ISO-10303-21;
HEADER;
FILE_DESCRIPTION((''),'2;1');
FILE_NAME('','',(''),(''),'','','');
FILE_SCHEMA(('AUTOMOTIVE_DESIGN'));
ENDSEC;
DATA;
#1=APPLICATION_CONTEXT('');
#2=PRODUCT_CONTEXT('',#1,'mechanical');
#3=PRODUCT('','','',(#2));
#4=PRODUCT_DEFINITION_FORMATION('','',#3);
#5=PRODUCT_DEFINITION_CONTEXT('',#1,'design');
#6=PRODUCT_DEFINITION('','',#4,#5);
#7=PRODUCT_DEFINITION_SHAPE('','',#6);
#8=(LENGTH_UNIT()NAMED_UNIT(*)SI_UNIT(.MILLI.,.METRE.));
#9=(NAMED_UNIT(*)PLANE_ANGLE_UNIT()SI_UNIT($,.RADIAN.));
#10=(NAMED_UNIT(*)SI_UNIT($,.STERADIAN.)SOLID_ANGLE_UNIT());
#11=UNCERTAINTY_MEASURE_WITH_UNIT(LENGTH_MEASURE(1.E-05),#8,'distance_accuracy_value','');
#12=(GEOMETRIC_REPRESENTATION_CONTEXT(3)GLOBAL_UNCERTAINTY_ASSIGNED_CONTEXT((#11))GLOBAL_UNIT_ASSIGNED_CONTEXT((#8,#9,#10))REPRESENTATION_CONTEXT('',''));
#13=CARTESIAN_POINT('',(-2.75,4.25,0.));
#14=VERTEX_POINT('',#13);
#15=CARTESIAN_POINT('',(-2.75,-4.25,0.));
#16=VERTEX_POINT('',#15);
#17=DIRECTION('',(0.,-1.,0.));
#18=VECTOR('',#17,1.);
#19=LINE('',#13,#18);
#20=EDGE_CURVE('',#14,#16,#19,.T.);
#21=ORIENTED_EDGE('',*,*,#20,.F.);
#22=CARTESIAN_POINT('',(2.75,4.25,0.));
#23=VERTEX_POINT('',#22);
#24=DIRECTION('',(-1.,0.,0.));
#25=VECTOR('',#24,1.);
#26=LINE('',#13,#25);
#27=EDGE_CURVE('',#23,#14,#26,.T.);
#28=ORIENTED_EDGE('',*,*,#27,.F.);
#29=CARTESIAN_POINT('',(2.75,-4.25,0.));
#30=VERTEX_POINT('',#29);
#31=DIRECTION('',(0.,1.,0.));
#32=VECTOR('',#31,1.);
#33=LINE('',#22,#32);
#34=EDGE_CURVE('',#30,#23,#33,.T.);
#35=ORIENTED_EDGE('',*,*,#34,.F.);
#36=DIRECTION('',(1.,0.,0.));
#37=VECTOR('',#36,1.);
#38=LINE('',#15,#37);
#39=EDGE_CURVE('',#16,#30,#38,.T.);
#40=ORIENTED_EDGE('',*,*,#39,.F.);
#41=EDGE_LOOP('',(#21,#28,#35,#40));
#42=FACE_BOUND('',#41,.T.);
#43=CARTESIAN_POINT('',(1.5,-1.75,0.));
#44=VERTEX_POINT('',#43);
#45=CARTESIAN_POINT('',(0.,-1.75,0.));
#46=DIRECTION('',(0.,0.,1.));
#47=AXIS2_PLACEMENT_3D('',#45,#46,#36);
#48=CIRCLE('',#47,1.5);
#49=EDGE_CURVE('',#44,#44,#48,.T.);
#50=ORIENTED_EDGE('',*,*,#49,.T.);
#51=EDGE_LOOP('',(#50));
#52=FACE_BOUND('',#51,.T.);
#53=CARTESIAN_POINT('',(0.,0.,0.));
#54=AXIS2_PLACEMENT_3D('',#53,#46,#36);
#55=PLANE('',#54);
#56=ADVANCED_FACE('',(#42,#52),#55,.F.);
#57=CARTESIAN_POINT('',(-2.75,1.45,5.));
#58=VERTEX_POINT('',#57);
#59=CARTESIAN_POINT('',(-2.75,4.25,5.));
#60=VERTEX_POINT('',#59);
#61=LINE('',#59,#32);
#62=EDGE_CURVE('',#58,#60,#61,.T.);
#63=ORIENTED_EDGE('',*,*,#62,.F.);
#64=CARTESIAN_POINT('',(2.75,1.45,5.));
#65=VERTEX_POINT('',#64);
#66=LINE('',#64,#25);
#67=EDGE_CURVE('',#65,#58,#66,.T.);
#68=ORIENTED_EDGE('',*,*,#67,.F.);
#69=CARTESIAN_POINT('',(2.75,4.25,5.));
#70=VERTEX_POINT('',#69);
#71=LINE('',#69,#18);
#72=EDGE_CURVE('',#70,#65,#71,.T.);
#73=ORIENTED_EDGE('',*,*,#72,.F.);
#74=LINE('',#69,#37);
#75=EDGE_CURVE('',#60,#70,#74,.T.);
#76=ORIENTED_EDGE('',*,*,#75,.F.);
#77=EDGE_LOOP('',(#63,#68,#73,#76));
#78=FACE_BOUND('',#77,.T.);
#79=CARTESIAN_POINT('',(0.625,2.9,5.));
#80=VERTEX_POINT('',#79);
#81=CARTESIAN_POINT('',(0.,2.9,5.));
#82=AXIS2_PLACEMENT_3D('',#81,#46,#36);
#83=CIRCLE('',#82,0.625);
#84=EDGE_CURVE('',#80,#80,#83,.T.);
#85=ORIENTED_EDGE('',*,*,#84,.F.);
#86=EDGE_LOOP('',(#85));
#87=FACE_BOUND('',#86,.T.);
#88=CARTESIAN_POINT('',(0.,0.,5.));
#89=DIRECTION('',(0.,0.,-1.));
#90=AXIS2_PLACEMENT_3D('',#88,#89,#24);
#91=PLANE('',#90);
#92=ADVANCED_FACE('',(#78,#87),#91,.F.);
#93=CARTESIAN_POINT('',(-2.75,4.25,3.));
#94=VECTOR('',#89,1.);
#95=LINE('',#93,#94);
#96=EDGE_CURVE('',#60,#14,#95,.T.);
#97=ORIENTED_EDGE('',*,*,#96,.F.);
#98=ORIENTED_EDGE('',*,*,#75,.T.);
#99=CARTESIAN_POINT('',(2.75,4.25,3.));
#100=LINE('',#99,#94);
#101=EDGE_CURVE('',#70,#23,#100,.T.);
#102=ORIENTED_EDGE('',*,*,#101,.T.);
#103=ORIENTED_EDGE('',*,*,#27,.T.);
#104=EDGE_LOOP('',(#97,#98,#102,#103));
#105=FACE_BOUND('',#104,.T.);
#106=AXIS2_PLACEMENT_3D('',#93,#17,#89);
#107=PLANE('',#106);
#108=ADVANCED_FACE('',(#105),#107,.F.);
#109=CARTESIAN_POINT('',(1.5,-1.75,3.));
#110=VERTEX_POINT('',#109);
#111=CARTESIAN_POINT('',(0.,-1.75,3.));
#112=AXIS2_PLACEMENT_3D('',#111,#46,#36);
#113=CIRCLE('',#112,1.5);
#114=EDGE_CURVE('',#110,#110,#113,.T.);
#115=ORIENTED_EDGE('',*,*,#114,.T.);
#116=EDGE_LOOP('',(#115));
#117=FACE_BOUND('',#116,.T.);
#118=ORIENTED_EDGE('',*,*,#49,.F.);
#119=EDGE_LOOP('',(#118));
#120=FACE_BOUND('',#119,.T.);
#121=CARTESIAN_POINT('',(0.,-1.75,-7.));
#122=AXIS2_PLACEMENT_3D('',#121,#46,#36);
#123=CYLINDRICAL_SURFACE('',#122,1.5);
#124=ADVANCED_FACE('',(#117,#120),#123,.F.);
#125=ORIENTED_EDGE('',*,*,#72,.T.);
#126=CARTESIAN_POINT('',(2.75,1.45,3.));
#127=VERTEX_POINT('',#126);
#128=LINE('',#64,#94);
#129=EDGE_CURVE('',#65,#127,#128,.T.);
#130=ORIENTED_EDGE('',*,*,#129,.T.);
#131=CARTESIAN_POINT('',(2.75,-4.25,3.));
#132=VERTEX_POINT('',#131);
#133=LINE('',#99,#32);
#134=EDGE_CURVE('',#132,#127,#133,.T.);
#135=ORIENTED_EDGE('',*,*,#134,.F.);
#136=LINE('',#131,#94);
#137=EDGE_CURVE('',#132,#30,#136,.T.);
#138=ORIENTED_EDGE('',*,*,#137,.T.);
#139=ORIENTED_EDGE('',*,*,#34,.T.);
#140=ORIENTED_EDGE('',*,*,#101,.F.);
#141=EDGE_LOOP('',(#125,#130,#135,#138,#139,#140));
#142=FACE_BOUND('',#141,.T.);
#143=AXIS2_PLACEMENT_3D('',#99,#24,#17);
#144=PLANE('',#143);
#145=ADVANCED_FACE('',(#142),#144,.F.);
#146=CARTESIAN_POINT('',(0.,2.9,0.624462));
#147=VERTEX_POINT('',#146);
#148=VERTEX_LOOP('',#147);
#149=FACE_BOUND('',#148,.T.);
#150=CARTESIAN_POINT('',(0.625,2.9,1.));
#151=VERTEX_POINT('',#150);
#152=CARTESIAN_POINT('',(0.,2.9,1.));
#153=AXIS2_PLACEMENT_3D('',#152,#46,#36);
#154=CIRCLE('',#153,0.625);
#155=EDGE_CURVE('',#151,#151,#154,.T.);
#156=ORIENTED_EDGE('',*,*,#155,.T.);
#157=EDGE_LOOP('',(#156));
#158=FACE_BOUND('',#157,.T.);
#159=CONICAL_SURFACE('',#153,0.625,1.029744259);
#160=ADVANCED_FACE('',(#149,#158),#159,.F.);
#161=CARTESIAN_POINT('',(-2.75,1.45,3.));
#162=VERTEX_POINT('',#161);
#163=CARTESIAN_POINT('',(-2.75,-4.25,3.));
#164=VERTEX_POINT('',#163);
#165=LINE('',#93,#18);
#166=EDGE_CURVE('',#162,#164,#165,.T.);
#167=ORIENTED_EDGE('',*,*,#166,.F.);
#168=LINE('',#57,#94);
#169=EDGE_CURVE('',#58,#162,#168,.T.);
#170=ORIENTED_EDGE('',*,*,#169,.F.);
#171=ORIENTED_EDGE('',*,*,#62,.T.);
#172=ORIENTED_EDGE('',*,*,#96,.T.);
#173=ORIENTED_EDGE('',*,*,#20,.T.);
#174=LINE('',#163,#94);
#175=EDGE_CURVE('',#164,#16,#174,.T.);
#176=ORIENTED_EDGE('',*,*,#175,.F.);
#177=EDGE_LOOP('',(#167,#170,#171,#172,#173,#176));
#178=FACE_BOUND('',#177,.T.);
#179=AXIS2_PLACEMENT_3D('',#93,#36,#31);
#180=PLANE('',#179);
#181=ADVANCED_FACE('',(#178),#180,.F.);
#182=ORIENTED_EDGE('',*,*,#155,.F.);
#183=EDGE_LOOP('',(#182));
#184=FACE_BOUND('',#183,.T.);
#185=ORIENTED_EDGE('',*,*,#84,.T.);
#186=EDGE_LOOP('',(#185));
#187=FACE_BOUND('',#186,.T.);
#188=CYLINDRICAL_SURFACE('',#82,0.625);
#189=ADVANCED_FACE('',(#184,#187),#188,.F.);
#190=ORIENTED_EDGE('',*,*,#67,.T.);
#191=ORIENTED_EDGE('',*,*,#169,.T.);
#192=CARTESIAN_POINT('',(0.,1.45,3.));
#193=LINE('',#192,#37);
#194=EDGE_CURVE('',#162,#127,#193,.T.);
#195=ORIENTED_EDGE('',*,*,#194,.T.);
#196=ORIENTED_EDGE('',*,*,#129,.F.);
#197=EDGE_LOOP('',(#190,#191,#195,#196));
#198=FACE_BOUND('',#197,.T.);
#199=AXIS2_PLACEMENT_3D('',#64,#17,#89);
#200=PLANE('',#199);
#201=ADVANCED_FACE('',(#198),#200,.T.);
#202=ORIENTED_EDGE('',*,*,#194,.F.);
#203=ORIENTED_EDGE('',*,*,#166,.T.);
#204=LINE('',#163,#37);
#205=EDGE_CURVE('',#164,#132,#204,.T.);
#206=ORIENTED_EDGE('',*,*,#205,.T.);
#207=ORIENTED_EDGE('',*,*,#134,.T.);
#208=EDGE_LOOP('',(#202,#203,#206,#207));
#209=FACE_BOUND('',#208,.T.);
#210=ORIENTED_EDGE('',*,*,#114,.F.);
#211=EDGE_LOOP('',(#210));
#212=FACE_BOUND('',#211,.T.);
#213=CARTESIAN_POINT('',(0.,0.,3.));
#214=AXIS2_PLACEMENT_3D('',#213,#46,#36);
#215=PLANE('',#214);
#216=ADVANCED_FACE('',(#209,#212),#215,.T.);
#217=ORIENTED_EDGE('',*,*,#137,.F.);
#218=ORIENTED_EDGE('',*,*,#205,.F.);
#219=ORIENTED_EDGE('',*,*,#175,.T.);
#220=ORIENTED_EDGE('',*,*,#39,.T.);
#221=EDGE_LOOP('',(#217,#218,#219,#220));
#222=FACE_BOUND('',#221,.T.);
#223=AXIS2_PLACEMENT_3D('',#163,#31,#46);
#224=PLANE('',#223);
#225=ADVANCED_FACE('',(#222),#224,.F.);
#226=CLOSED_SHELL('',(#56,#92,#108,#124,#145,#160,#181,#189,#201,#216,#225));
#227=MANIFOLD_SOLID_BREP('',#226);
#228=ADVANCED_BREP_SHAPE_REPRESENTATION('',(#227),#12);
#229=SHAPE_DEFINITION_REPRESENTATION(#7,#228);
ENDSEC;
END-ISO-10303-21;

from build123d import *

# Parameters (mm, degrees)
SKETCH1_W                    = 5.5
SKETCH1_H                    = 8.5
BOSS_EXTRUDE1_DEPTH          = 3
SKETCH4_R                    = 1.5
CUT_EXTRUDE1_DEPTH           = 10
SKETCH7_W                    = 5.5
SKETCH7_H                    = 2.8
BOSS_EXTRUDE2_DEPTH          = 5
M1_6X0_35_TAPPED_HOLE1_D     = 1.25
M1_6X0_35_TAPPED_HOLE1_DEPTH = 4
M1_6X0_35_TAPPED_HOLE1_TIP   = 0.375537887


with BuildPart() as part:
    # Sketch1 → Boss-Extrude1 (new body)
    with BuildSketch(Plane.XY):
        Rectangle(SKETCH1_W, SKETCH1_H)
    extrude(amount=BOSS_EXTRUDE1_DEPTH)

    # Sketch4 → Cut-Extrude1 (cut)
    with BuildSketch(Plane.XY.offset(3)):
        with Locations((0, -1.75)):
            Circle(SKETCH4_R)
    extrude(amount=-CUT_EXTRUDE1_DEPTH, mode=Mode.SUBTRACT)

    # Sketch7 → Boss-Extrude2 (add)
    with BuildSketch(Plane(origin=(0, 0, 0), x_dir=(-1, 0, 0), z_dir=(0, 0, -1))):
        with Locations((0, 2.85)):
            Rectangle(SKETCH7_W, SKETCH7_H)
    extrude(amount=-BOSS_EXTRUDE2_DEPTH)

    # M1.6x0.35 Tapped Hole1
    with Locations(Plane.XY.offset(5)):
        with Locations((0, 2.9)):
            Hole(M1_6X0_35_TAPPED_HOLE1_D / 2, depth=M1_6X0_35_TAPPED_HOLE1_DEPTH)
            with Locations((0, 0, -(M1_6X0_35_TAPPED_HOLE1_DEPTH + M1_6X0_35_TAPPED_HOLE1_TIP / 2))):  # 118° drill point
                Cone(0, M1_6X0_35_TAPPED_HOLE1_D / 2, M1_6X0_35_TAPPED_HOLE1_TIP, mode=Mode.SUBTRACT)


solid = part.part
